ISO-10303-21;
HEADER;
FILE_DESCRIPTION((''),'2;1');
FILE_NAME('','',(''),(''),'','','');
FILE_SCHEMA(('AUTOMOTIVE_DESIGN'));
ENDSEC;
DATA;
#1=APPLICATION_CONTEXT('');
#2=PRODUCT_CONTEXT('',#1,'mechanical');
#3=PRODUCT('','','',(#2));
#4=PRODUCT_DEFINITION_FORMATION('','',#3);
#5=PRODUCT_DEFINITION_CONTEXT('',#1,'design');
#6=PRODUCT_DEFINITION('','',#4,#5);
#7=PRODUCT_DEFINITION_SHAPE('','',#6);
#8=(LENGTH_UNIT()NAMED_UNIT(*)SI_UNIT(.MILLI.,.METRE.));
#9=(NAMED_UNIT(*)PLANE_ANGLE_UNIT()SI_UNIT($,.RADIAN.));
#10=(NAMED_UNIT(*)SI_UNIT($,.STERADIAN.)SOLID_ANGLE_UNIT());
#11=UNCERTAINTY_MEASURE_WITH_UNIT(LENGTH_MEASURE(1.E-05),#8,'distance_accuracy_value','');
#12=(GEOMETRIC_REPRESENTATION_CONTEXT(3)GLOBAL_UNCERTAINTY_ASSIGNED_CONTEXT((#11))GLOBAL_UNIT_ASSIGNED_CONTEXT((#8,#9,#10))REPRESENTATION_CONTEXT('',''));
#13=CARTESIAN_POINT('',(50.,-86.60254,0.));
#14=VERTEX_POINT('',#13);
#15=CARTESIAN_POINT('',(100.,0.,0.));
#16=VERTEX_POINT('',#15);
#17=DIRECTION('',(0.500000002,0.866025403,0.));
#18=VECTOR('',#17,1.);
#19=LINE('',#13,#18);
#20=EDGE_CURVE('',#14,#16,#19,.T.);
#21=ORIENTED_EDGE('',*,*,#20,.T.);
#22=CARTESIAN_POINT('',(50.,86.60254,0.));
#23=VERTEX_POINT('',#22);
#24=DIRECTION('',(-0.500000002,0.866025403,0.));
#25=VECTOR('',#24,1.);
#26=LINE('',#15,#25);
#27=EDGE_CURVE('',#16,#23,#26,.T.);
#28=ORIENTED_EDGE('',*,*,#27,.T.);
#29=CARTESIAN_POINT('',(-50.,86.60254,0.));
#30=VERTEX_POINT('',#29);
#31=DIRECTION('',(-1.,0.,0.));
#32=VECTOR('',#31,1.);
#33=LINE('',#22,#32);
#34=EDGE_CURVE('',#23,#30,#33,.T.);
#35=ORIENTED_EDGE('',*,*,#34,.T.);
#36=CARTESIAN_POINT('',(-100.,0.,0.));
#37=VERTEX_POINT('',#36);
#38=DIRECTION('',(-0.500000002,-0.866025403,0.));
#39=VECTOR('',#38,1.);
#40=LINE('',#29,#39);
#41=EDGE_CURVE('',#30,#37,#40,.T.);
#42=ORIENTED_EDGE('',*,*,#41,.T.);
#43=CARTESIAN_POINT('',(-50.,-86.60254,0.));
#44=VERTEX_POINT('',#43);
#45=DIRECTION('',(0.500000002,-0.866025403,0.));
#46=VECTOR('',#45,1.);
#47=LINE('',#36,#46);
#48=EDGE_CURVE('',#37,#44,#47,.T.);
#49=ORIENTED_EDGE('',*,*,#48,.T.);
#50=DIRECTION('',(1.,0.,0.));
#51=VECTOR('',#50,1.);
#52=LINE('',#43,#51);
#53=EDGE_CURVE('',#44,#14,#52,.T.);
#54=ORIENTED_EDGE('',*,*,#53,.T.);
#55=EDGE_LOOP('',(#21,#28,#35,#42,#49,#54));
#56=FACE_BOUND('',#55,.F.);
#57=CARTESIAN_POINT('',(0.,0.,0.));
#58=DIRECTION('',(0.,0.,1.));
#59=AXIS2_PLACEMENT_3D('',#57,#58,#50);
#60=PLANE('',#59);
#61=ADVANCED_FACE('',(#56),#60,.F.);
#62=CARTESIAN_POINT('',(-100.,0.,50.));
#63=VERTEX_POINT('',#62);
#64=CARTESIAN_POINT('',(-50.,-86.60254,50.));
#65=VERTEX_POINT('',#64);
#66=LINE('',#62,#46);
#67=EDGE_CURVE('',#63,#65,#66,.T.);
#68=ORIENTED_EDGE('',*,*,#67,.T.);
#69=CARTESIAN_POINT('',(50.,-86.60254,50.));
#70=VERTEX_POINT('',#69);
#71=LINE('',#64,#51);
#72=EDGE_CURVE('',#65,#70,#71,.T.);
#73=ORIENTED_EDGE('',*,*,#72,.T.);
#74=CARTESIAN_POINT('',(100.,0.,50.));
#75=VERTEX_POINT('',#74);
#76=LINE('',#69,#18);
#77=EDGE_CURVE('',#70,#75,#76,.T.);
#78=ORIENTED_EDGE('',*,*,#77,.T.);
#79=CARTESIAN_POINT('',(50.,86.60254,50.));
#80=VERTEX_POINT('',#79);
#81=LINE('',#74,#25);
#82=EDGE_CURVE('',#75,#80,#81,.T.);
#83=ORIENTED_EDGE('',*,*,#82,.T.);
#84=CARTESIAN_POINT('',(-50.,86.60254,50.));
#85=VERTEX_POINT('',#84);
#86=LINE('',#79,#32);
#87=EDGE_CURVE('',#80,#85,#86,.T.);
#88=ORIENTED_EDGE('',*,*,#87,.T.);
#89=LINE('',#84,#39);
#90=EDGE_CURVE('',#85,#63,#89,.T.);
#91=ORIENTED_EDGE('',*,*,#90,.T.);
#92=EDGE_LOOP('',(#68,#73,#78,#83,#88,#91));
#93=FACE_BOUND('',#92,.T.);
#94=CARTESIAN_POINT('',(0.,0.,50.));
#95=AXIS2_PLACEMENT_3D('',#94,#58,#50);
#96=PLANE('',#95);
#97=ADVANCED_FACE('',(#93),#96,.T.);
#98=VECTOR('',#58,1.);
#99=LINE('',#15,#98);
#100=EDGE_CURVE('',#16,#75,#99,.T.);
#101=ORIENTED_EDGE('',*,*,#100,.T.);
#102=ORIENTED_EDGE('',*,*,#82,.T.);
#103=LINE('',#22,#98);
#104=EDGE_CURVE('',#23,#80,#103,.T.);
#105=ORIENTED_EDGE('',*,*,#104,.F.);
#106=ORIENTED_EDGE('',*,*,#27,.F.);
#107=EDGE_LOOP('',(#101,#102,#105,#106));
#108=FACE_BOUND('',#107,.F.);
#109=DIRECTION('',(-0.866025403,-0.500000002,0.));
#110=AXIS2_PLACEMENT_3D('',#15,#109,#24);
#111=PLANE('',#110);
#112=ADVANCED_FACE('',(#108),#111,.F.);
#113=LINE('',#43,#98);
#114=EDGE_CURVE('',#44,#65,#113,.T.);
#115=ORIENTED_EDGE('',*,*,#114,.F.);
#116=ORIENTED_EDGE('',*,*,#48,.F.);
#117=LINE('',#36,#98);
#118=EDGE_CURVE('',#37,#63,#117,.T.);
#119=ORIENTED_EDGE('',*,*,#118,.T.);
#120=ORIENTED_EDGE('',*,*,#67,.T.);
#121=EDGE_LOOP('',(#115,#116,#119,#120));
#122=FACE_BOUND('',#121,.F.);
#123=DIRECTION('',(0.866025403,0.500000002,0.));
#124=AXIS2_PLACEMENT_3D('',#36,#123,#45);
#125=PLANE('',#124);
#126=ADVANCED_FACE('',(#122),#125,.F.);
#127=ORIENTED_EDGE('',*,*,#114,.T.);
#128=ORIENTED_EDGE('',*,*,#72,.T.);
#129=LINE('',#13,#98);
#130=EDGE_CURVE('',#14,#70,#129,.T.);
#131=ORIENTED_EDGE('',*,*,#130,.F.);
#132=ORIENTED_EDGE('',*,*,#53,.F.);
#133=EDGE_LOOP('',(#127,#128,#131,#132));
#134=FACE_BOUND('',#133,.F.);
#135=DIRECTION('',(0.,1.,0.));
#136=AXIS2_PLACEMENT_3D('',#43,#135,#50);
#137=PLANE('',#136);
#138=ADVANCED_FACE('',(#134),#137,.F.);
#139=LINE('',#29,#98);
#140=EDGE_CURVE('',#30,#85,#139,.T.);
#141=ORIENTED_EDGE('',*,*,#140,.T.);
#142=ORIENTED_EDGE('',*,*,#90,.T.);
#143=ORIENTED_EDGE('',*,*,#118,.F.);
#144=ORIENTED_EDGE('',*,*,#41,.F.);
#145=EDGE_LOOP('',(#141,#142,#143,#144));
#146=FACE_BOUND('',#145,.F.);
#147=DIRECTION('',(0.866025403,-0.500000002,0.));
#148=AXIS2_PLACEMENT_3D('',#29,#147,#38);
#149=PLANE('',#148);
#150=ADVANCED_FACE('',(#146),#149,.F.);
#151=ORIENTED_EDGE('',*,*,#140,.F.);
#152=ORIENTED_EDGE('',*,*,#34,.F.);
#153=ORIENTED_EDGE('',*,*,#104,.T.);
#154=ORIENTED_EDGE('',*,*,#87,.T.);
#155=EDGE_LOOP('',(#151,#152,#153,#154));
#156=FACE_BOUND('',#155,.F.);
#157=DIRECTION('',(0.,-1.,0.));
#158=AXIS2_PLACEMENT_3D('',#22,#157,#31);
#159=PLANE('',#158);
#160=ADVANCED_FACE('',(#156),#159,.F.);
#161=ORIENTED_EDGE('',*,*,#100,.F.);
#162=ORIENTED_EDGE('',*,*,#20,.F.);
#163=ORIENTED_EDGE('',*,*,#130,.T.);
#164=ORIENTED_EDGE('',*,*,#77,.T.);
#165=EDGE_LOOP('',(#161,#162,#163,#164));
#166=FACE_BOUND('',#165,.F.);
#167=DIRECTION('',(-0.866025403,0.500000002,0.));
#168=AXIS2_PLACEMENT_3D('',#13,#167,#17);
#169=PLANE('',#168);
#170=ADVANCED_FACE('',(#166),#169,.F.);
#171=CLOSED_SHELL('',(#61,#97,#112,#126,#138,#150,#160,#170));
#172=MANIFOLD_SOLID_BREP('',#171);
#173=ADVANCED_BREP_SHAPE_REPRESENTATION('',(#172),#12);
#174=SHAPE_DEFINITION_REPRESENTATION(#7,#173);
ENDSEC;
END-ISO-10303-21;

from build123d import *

# Parameters (mm, degrees)
PAD_DEPTH = 50


with BuildPart() as part:
    # Sketch → Pad (new body)
    with BuildSketch(Plane.XY):
        Polygon((100, 0), (50, 86.60254), (-50, 86.60254), (-100, 0), (-50, -86.60254), (50, -86.60254), align=None)
    extrude(amount=PAD_DEPTH)


solid = part.part
